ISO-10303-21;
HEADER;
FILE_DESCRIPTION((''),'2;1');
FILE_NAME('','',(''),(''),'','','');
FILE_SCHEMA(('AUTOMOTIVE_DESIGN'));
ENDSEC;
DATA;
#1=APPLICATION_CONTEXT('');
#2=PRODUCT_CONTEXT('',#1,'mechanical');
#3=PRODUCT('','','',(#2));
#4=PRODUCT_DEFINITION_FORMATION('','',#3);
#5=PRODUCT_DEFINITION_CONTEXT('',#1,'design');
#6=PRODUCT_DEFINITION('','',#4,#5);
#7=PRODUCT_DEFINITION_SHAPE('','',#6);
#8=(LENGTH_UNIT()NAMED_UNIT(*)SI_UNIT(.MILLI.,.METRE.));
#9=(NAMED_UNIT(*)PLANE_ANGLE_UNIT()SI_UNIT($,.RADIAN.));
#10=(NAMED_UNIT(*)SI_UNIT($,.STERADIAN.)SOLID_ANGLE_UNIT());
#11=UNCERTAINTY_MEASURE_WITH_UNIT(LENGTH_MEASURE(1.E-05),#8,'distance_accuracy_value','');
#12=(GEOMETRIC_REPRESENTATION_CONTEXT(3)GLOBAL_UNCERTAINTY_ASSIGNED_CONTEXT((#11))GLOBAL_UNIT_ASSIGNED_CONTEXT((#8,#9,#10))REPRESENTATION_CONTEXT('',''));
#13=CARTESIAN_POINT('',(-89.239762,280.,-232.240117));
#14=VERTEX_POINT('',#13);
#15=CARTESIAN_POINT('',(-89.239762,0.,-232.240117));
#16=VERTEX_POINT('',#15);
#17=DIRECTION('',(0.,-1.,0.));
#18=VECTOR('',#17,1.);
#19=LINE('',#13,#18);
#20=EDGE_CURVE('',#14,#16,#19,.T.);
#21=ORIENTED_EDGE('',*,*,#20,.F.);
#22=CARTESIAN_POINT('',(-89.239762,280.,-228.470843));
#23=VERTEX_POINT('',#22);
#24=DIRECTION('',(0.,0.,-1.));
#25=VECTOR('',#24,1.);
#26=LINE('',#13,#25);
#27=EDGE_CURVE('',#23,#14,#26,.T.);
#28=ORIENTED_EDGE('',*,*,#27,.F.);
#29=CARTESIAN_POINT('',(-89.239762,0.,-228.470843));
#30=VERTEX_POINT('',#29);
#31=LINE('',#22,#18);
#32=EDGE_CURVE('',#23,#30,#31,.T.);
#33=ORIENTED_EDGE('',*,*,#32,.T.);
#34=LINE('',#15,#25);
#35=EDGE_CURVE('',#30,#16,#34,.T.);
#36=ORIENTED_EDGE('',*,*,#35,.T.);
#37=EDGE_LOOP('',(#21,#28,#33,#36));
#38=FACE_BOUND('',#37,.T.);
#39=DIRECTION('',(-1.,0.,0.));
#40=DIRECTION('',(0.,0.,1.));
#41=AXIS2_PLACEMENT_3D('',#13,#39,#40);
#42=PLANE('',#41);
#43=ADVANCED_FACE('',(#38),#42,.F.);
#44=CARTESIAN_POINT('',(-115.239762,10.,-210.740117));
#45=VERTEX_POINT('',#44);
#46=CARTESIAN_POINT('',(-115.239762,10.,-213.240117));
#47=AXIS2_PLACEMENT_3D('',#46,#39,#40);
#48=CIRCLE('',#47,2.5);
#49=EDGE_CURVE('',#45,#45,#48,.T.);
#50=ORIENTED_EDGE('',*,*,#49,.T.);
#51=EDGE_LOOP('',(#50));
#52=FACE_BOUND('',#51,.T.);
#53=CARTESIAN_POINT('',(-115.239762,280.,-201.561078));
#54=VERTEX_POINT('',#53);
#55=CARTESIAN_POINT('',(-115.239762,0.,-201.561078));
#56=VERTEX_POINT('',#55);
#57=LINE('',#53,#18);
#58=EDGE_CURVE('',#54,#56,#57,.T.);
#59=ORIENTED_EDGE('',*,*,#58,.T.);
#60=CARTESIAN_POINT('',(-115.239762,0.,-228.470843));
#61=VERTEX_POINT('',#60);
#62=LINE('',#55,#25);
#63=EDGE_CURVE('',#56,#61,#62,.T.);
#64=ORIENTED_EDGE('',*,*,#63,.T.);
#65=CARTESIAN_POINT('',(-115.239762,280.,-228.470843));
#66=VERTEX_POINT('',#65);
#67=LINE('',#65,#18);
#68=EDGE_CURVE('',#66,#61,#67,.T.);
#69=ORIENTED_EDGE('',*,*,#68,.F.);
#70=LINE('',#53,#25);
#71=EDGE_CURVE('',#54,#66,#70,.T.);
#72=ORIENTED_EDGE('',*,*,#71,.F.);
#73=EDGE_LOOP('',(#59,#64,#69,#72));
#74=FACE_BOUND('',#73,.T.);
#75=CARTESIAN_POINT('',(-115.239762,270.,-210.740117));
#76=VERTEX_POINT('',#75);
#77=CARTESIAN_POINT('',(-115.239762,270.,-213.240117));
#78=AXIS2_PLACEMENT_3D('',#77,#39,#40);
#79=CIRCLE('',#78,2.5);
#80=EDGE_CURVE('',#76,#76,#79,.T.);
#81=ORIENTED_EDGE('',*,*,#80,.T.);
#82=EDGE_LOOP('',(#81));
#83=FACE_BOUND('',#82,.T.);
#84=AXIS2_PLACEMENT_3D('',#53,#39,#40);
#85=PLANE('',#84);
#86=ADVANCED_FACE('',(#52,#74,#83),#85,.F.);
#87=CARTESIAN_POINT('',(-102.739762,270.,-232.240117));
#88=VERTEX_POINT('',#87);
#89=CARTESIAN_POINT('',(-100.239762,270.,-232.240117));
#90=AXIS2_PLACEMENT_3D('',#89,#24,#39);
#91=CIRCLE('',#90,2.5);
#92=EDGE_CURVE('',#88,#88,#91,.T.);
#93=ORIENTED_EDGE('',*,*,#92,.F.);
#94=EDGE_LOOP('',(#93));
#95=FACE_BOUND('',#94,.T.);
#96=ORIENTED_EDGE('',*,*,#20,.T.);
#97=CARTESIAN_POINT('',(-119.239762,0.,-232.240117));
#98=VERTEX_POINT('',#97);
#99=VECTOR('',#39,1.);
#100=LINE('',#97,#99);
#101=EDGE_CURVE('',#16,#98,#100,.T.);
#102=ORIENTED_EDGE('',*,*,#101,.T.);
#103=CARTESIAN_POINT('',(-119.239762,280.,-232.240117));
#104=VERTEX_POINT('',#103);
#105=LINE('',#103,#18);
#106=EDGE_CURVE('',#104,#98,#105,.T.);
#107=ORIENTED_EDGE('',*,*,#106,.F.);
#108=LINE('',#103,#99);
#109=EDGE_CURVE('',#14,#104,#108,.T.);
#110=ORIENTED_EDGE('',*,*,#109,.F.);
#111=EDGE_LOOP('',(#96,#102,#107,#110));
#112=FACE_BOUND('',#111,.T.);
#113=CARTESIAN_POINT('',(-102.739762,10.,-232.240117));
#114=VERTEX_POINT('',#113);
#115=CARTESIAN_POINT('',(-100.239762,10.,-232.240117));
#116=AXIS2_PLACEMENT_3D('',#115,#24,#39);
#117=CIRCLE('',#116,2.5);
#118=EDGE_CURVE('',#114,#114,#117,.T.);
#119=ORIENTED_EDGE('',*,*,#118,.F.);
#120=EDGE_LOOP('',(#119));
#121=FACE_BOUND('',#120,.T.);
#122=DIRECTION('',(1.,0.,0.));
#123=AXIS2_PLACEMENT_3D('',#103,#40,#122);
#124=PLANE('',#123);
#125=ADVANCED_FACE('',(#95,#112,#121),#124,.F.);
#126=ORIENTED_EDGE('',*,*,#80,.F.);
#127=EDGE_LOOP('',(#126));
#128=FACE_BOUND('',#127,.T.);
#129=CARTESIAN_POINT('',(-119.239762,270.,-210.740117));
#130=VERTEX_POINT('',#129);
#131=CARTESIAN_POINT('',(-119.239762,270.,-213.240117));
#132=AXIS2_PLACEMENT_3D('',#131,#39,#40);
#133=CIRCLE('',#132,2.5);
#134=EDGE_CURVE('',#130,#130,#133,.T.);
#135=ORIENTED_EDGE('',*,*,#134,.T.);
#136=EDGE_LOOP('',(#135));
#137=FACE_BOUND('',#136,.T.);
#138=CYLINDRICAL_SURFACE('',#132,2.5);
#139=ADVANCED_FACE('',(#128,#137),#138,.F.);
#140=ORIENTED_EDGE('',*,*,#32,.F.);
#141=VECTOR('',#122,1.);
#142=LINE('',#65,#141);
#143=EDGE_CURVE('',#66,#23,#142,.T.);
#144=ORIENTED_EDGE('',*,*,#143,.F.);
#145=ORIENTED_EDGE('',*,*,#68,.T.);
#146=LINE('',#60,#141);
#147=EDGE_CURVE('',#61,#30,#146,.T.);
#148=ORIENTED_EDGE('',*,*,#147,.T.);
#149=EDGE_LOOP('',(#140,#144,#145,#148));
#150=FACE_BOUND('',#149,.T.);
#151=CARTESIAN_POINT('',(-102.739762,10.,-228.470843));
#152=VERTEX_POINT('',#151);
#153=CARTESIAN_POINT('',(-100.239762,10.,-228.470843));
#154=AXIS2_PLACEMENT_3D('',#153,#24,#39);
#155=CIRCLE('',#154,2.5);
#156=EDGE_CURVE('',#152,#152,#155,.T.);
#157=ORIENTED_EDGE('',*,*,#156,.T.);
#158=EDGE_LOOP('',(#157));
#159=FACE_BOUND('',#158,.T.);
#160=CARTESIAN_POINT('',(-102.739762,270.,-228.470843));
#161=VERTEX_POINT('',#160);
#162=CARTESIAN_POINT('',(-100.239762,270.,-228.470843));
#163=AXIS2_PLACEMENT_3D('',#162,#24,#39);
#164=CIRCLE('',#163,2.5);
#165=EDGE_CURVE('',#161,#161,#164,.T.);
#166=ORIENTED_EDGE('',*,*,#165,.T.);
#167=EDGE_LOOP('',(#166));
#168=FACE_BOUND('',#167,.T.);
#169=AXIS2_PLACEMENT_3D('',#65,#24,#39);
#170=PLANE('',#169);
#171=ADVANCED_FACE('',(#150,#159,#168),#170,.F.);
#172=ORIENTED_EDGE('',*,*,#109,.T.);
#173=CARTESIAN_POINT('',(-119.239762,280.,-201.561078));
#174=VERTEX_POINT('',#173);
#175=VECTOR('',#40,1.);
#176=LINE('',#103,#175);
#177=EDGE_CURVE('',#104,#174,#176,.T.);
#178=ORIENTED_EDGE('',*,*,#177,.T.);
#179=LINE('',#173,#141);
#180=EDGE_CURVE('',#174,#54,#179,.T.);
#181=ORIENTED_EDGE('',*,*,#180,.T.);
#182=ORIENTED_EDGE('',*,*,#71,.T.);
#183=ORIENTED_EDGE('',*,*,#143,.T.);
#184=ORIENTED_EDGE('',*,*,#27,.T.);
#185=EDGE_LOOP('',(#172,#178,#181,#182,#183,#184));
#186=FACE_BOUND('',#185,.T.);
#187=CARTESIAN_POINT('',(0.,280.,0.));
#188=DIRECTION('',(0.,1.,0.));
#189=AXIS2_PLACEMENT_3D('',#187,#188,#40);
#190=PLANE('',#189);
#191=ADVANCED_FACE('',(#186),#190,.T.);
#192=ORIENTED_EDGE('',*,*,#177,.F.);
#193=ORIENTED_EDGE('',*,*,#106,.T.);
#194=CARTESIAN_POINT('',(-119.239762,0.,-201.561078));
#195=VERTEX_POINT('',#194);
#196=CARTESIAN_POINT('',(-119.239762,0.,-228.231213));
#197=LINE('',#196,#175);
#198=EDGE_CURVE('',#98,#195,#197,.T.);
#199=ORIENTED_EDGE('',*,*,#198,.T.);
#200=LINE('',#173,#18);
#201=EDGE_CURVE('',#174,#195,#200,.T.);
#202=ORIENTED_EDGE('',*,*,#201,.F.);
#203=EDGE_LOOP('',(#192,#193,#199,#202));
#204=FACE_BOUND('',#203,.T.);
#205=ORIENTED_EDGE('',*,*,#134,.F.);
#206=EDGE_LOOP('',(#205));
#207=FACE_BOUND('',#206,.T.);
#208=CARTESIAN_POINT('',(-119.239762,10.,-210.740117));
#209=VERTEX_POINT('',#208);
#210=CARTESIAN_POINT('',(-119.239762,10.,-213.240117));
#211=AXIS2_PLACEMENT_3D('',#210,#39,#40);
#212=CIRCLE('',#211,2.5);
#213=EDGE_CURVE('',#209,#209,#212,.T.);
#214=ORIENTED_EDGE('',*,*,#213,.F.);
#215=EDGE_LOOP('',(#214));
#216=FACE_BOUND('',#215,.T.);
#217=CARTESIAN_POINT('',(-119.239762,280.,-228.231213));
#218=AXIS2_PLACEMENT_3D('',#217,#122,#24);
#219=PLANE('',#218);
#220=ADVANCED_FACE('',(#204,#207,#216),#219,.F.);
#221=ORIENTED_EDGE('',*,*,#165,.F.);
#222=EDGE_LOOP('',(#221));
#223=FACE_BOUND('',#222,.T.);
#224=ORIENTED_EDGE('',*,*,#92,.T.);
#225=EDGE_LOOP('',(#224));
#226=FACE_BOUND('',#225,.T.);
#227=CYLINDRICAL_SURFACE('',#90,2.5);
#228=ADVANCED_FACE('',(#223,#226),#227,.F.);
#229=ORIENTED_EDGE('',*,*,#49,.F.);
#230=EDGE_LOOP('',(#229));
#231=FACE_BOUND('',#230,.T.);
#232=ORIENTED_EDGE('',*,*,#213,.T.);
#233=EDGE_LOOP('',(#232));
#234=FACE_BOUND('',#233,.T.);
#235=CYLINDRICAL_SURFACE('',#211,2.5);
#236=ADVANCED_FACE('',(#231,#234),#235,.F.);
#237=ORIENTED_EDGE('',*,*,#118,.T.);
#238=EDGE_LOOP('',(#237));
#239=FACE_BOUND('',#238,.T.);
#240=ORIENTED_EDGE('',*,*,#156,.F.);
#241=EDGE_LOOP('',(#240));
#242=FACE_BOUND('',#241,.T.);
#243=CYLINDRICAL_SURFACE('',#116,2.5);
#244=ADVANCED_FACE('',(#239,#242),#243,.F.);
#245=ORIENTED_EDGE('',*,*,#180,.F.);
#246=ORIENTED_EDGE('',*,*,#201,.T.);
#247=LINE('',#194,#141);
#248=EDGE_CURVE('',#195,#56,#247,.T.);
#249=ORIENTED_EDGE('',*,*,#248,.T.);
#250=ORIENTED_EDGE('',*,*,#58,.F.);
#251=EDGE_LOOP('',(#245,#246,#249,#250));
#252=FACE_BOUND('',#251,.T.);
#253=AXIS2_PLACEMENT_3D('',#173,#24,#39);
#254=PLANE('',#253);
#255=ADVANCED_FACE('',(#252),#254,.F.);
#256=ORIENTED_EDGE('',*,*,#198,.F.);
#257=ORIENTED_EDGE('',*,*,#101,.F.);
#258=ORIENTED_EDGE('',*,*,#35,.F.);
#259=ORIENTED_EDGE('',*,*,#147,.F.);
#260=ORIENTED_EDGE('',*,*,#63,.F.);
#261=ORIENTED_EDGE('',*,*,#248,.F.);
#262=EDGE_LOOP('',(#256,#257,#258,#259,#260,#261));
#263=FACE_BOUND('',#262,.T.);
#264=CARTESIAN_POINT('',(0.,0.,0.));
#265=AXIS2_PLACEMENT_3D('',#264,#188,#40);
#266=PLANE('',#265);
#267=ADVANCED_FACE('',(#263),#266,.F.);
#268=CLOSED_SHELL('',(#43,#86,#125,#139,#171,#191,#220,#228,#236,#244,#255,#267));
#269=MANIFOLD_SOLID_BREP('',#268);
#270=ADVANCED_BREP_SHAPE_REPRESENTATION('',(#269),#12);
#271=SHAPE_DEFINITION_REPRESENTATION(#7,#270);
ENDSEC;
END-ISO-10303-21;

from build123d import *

# Parameters (mm, degrees)
EXTRUDE_1_DEPTH        = 280
HOLE_WIZARD_M6_3_D     = 5
HOLE_WIZARD_M6_3_DEPTH = 17
HOLE_WIZARD_M6_3_TIP   = 1.502151548
HOLE_WIZARD_M6_4_D     = 5
HOLE_WIZARD_M6_4_DEPTH = 17
HOLE_WIZARD_M6_4_TIP   = 1.502151548


with BuildPart() as part:
    # 草图1 → 凸台-拉伸1 (new body)
    with BuildSketch(Plane(origin=(0, 0, 0), x_dir=(1, 0, 0), z_dir=(0, 1, 0))):
        Polygon((-119.239761807, 232.240117312), (-89.239761807, 232.240117312), (-89.239761807, 228.470843435), (-115.239761807, 228.470843435), (-115.239761807, 201.561077594), (-119.239761807, 201.561077594), (-119.239761807, 228.23121253), align=None)
    extrude(amount=EXTRUDE_1_DEPTH)

    # M6 螺纹孔3
    with Locations(Plane.ZY.offset(119.239761807)):
        with Locations((-213.240117312, 10), (-213.240117312, 270)):
            Hole(HOLE_WIZARD_M6_3_D / 2, depth=HOLE_WIZARD_M6_3_DEPTH)
            with Locations((0, 0, -(HOLE_WIZARD_M6_3_DEPTH + HOLE_WIZARD_M6_3_TIP / 2))):  # 118° drill point
                Cone(0, HOLE_WIZARD_M6_3_D / 2, HOLE_WIZARD_M6_3_TIP, mode=Mode.SUBTRACT)

    # M6 螺纹孔4
    with Locations(Plane(origin=(0, 0, -232.240117312), x_dir=(-1, 0, 0), z_dir=(0, 0, -1))):
        with Locations((100.239761807, 10), (100.239761807, 270)):
            Hole(HOLE_WIZARD_M6_4_D / 2, depth=HOLE_WIZARD_M6_4_DEPTH)
            with Locations((0, 0, -(HOLE_WIZARD_M6_4_DEPTH + HOLE_WIZARD_M6_4_TIP / 2))):  # 118° drill point
                Cone(0, HOLE_WIZARD_M6_4_D / 2, HOLE_WIZARD_M6_4_TIP, mode=Mode.SUBTRACT)


solid = part.part
